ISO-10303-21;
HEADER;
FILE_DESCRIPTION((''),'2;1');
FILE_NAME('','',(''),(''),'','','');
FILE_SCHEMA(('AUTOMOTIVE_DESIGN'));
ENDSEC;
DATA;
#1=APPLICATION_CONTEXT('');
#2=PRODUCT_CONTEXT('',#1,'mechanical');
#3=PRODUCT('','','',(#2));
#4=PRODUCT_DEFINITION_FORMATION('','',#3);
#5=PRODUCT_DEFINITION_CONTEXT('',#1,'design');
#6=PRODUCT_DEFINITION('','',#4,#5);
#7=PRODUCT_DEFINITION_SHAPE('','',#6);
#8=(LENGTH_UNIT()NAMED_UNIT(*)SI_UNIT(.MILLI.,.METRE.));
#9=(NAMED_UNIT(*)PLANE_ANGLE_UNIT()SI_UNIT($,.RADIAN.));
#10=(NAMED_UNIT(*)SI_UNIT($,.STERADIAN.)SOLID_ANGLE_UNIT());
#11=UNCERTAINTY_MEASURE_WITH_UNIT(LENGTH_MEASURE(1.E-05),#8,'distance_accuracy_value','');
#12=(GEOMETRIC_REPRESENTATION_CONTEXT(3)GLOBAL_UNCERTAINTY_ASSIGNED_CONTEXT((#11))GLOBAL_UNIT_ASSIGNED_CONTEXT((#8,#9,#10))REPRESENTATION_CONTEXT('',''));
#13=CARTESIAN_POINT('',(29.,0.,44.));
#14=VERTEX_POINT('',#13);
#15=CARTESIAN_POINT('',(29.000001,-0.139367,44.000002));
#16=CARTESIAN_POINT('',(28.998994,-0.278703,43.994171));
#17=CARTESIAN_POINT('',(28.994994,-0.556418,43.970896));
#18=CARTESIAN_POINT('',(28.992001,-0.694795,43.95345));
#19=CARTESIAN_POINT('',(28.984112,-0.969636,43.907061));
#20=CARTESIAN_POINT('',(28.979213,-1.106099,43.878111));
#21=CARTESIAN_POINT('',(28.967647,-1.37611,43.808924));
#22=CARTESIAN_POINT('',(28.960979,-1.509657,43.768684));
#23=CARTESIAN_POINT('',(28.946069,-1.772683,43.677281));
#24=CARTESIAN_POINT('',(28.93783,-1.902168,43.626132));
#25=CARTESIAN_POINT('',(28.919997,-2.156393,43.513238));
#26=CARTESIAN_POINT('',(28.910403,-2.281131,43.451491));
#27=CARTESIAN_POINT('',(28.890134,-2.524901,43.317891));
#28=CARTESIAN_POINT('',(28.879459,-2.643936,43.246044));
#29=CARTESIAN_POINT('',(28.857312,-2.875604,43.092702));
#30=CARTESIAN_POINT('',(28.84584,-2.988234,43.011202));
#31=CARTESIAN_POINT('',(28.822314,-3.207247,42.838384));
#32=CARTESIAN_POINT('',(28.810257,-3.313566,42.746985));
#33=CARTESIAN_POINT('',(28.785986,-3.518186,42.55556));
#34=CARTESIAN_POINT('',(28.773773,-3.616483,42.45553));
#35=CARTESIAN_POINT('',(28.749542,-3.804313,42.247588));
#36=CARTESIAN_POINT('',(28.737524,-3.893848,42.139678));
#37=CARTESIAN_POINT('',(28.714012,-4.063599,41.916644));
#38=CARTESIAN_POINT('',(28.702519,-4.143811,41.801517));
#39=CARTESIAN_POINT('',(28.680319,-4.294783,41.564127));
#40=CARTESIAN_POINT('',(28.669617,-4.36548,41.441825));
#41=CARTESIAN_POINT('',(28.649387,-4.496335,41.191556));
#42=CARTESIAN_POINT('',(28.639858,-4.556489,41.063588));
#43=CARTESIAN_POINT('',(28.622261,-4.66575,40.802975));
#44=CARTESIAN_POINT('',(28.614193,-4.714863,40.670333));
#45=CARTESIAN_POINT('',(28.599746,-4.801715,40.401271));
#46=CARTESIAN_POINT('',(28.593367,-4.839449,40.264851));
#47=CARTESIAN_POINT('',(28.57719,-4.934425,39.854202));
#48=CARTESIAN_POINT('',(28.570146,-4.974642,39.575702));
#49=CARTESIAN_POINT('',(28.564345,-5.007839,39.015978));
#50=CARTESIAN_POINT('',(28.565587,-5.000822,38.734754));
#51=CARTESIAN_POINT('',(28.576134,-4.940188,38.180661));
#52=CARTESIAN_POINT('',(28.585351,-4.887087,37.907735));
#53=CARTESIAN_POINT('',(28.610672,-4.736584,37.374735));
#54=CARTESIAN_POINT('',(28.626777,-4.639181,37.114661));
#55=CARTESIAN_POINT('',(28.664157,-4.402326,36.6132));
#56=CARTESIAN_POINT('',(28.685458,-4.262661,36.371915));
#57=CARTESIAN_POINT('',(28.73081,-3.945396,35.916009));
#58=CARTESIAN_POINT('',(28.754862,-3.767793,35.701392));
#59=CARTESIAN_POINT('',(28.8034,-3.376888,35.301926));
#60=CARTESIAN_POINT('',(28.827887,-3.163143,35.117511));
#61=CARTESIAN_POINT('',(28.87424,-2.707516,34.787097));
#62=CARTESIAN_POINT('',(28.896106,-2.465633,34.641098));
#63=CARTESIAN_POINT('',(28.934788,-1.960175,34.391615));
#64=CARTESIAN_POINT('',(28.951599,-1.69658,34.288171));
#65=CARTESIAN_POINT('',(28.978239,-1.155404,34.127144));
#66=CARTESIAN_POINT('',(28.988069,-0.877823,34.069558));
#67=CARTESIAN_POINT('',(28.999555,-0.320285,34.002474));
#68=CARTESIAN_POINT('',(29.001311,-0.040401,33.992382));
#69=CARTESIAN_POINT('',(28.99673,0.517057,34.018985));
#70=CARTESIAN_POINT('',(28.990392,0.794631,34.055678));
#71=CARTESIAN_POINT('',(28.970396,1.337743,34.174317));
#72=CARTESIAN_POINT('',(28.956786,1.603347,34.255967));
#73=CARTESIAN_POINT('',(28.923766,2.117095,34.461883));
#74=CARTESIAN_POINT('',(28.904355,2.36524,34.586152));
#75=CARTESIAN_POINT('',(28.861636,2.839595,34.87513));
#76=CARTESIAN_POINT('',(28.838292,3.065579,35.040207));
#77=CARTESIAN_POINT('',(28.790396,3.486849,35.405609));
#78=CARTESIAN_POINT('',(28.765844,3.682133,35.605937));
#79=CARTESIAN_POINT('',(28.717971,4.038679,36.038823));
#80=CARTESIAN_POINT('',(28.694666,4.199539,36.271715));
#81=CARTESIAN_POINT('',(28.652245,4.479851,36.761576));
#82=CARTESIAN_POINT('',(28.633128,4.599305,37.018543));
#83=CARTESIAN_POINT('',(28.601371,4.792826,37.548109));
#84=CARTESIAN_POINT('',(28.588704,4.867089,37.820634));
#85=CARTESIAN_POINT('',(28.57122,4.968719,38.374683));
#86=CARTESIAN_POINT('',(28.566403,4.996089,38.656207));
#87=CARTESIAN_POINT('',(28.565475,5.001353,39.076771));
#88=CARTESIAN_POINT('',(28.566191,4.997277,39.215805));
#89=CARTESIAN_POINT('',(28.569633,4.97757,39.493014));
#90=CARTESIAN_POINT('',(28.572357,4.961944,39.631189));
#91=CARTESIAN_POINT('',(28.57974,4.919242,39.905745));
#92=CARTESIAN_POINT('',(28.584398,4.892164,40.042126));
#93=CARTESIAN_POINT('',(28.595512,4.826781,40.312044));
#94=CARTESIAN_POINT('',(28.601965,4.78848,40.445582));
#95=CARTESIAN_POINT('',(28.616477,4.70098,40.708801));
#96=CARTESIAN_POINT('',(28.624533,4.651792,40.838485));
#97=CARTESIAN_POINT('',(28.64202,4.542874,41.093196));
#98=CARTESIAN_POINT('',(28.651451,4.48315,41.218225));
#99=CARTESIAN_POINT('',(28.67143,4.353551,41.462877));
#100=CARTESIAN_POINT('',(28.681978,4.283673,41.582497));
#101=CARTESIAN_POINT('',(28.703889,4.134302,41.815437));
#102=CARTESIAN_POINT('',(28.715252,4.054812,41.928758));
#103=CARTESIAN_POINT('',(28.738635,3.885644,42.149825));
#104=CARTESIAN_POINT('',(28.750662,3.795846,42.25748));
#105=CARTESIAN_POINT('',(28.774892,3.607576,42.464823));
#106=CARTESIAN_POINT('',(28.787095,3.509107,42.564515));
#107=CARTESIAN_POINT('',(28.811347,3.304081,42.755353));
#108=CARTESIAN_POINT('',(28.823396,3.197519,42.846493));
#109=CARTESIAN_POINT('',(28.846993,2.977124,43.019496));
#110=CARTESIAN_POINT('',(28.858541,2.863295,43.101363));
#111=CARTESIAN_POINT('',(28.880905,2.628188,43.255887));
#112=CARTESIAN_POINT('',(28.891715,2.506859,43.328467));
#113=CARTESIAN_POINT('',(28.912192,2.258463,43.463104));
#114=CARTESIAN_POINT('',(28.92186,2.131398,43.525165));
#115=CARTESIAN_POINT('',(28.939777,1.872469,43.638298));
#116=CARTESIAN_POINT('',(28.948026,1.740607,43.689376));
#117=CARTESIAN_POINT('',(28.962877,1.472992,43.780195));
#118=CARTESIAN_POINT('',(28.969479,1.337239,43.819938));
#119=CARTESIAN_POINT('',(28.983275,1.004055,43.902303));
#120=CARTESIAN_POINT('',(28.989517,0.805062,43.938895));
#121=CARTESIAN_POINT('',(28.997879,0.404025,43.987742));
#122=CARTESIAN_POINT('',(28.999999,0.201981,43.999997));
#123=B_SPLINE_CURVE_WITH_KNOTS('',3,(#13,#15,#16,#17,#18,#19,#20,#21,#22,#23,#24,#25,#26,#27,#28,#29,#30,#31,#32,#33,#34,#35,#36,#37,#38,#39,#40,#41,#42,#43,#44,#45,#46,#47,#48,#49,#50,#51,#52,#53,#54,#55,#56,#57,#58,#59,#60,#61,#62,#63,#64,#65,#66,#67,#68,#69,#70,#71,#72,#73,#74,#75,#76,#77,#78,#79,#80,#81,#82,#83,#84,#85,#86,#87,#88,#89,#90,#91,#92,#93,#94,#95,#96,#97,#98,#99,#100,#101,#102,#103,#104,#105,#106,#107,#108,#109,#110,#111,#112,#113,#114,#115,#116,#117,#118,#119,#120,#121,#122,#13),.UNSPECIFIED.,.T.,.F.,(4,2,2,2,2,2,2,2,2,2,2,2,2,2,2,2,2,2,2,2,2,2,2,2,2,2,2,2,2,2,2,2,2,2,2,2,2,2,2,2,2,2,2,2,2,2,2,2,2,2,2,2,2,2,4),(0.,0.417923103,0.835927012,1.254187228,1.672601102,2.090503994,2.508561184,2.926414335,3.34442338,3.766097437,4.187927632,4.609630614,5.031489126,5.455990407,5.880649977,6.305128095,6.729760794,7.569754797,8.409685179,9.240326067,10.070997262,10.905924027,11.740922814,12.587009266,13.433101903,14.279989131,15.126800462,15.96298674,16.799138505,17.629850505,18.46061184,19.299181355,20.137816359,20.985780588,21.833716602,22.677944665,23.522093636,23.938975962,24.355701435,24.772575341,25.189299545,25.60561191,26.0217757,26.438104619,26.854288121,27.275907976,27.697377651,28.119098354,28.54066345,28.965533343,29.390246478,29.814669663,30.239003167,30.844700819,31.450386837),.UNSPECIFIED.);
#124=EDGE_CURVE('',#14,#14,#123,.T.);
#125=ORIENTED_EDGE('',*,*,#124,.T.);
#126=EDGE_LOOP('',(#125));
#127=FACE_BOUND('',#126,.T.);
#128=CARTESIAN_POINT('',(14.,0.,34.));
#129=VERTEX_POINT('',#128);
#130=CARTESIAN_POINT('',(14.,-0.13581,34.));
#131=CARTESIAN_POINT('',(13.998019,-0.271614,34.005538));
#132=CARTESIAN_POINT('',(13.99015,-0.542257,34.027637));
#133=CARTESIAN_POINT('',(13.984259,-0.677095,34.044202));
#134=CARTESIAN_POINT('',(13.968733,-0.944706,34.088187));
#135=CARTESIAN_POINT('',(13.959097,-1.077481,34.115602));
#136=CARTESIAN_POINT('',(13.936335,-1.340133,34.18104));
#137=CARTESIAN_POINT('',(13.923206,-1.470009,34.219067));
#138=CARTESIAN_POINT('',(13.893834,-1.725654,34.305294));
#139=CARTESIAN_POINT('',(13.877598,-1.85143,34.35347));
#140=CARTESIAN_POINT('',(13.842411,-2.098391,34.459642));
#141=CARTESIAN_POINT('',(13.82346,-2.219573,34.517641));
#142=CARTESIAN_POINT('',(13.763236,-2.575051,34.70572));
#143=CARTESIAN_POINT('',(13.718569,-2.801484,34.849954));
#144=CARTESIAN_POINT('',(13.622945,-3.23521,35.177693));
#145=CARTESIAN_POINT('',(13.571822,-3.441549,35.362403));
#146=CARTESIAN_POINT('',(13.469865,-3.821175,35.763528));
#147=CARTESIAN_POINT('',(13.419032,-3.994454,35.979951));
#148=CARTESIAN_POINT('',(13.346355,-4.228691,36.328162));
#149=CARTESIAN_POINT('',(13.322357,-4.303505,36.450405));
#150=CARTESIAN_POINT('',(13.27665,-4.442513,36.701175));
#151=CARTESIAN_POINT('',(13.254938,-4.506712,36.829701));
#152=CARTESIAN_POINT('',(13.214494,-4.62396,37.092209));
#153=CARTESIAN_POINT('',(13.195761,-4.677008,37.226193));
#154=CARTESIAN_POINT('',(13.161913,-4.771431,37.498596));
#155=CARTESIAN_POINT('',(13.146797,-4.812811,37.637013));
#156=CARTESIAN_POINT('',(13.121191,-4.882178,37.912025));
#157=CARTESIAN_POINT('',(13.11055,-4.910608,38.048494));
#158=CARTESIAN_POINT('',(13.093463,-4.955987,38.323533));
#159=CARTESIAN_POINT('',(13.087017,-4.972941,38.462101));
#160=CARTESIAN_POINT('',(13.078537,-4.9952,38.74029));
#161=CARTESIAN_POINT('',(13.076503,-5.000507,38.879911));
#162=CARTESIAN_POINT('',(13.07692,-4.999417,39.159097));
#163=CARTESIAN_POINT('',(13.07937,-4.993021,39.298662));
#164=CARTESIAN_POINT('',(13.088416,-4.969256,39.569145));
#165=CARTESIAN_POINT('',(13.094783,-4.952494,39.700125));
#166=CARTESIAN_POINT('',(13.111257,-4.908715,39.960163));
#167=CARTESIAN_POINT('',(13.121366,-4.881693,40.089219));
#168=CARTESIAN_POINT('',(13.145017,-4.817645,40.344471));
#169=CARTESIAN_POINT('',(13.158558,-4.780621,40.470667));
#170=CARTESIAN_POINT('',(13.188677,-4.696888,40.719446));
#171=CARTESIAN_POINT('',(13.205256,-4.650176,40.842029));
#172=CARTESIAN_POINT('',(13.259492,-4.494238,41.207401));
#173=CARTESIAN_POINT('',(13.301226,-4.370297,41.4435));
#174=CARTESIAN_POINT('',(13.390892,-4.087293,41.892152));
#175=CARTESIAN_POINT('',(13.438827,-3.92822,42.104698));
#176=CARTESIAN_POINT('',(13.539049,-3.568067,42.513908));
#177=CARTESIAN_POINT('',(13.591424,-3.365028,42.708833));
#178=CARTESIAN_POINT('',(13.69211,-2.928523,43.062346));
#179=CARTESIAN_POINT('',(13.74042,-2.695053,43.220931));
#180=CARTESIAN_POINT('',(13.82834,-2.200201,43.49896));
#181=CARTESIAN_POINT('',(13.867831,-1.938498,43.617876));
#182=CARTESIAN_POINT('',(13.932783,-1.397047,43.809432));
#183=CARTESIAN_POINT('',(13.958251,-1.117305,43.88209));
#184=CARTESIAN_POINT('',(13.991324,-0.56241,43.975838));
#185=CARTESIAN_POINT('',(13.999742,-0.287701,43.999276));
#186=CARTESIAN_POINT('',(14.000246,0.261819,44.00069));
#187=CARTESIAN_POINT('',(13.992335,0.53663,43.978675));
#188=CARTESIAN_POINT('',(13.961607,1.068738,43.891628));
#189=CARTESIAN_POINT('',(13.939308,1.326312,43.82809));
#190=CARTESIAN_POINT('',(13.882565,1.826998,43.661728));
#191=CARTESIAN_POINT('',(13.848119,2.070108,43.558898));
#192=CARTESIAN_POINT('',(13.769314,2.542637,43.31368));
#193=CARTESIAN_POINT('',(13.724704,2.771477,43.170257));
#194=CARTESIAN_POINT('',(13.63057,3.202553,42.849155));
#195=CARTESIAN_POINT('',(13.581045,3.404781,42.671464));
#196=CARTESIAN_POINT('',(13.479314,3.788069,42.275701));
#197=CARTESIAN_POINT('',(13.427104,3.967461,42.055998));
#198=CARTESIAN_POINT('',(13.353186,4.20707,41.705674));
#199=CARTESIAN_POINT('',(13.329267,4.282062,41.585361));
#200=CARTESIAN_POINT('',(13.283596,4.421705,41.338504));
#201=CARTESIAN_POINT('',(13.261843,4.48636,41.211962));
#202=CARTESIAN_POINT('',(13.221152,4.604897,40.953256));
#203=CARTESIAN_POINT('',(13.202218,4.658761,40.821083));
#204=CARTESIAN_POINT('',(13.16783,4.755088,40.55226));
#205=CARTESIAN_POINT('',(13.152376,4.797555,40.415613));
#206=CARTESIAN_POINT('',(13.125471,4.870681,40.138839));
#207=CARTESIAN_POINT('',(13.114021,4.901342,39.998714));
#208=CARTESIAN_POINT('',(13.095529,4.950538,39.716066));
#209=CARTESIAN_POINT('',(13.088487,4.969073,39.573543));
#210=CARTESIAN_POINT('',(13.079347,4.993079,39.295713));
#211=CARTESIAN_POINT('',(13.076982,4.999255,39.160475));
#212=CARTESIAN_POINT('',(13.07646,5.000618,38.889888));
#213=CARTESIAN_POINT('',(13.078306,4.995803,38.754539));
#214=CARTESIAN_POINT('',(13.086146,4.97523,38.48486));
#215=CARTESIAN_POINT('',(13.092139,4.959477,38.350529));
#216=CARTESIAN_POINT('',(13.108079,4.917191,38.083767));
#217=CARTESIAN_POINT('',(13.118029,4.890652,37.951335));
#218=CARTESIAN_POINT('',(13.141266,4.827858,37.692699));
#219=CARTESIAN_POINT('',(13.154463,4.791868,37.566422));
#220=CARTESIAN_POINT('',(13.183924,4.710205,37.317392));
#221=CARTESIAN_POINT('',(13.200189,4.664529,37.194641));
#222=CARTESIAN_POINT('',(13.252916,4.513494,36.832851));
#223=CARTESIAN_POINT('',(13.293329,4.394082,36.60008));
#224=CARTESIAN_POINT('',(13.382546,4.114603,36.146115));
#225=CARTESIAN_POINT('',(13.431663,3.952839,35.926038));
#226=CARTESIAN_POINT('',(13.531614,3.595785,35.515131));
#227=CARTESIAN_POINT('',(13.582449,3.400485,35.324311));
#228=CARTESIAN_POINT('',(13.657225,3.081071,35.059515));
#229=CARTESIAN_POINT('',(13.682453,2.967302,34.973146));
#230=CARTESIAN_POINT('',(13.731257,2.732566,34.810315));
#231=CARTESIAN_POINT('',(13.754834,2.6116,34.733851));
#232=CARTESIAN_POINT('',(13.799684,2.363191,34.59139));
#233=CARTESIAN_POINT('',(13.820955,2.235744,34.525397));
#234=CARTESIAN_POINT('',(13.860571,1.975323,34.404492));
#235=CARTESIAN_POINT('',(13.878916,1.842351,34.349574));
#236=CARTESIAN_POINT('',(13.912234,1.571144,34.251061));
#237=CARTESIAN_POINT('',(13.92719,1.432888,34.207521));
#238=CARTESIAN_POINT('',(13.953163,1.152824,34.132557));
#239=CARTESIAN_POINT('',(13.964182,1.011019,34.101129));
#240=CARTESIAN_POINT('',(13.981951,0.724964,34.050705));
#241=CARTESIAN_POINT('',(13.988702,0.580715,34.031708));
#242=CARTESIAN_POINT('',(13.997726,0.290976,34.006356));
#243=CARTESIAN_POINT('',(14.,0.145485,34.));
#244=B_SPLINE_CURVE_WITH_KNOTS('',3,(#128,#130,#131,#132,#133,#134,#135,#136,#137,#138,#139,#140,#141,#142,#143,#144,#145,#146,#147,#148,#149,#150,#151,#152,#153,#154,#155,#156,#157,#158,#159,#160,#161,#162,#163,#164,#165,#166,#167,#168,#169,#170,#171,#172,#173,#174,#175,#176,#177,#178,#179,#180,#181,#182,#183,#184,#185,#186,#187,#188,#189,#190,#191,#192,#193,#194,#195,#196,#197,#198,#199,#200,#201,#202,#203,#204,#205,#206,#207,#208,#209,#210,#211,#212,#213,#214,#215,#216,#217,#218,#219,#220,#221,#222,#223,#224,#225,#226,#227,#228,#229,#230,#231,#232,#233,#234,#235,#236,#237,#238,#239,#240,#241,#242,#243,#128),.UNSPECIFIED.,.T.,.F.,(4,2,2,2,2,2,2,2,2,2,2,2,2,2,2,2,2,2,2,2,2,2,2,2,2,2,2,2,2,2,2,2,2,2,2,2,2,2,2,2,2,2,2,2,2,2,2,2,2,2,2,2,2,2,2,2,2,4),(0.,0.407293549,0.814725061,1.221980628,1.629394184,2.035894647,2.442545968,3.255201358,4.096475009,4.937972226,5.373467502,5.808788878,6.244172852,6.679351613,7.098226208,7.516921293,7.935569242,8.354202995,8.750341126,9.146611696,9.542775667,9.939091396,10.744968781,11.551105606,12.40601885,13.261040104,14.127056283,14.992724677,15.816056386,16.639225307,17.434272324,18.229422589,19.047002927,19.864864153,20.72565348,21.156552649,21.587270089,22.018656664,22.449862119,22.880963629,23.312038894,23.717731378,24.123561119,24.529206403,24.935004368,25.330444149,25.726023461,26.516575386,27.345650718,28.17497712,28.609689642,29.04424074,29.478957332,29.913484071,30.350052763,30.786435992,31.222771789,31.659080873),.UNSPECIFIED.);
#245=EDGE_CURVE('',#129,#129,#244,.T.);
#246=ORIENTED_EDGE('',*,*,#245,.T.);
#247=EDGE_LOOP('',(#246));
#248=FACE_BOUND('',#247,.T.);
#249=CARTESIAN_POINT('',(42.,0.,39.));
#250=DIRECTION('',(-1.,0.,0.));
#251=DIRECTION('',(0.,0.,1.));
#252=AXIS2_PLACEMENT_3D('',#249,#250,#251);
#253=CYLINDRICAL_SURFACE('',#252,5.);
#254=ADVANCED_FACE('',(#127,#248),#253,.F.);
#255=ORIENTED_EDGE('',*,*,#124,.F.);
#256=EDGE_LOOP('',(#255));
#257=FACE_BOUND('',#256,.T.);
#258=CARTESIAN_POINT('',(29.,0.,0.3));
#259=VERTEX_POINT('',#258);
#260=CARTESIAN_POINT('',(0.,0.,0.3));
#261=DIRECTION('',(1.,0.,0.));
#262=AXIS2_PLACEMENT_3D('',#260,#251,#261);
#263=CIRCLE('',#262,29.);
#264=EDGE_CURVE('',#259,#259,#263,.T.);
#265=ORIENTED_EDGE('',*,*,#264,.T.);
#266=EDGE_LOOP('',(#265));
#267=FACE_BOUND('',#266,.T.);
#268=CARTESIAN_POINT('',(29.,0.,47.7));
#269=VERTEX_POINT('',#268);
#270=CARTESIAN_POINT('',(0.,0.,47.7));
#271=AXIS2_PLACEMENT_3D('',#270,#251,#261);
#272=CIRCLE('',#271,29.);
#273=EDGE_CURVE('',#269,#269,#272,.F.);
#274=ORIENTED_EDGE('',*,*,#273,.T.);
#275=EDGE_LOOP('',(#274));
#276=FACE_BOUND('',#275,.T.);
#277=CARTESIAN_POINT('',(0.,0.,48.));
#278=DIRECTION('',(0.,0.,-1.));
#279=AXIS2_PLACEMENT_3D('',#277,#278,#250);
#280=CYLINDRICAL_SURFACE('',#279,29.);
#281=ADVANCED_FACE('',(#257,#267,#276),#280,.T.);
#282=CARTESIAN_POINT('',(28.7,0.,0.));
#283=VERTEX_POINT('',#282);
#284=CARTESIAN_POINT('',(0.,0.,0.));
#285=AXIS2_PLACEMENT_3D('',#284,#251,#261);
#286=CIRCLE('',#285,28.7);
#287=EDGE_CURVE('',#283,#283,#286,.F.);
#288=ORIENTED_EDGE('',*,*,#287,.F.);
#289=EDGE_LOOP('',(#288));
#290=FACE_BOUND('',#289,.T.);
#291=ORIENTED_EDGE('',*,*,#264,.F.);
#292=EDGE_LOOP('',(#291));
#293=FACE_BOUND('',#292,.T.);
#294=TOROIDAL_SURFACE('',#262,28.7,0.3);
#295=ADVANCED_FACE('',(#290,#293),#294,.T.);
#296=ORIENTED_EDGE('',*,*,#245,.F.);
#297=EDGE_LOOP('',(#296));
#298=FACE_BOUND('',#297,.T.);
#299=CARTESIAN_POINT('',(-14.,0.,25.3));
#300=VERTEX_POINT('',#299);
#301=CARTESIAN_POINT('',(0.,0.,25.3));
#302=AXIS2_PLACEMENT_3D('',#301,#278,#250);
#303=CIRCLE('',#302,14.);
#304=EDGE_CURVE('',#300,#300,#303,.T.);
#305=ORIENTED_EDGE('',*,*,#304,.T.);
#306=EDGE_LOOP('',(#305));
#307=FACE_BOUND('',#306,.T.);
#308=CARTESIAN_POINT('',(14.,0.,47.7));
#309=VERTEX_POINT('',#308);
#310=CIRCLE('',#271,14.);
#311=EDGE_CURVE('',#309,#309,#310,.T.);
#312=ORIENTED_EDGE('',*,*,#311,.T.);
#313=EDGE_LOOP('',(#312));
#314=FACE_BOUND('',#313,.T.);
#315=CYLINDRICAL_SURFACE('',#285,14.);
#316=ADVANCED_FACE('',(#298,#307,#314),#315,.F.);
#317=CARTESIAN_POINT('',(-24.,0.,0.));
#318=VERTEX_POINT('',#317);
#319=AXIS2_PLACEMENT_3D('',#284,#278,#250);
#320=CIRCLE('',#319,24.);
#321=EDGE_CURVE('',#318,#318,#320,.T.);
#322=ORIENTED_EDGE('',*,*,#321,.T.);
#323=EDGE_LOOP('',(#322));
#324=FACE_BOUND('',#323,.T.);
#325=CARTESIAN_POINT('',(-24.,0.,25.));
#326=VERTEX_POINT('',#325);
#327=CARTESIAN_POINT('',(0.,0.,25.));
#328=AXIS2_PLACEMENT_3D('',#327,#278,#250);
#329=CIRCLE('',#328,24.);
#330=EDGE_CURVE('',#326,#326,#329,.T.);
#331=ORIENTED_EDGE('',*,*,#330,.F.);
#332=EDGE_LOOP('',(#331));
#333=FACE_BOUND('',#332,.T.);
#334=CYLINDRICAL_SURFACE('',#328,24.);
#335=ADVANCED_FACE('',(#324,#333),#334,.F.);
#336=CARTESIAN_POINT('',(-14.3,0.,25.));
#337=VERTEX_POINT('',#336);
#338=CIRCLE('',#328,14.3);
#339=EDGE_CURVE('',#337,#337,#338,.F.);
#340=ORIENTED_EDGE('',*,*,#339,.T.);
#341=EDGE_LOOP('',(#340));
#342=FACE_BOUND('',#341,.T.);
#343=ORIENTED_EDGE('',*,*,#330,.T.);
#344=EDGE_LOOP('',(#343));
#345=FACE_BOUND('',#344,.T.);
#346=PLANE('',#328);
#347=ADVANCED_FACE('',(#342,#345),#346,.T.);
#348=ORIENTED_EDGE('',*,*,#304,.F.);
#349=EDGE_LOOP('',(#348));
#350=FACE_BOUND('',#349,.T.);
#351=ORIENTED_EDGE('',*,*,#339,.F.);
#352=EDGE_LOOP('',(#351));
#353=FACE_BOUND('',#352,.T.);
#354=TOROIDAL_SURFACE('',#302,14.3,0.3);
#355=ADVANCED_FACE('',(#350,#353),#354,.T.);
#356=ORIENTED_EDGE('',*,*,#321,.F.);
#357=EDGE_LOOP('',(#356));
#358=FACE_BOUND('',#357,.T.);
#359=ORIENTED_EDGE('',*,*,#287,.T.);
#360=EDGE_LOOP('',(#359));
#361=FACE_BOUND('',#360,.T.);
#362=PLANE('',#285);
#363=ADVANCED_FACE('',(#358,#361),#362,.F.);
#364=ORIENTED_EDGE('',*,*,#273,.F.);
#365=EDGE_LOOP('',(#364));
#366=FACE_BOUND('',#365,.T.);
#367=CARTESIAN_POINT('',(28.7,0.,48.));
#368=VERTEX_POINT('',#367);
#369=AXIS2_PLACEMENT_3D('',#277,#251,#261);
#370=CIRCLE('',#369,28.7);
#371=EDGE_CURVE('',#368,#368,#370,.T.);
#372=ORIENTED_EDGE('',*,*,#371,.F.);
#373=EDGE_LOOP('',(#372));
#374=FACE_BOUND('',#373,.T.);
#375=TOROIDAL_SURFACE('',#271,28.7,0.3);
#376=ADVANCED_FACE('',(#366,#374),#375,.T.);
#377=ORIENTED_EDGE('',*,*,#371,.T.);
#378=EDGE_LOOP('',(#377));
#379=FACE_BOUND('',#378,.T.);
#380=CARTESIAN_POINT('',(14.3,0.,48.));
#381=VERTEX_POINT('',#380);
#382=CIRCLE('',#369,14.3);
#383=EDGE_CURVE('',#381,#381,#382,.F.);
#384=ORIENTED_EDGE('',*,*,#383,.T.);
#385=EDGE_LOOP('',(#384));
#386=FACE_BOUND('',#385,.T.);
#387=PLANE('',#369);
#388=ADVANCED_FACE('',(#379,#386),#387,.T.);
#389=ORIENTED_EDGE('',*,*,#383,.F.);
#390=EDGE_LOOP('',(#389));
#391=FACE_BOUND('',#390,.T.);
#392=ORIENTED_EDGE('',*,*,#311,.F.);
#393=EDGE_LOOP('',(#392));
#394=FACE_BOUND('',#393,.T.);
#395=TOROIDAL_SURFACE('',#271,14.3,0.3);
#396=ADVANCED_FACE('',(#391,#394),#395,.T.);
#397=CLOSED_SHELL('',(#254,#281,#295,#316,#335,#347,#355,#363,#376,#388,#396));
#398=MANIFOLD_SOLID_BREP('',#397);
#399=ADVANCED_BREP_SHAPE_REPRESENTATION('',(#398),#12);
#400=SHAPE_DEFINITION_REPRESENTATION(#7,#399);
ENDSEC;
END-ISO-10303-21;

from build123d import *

# Parameters (mm, degrees)
SKETCH4_R               = 29
BOSS_EXTRUDE1_DEPTH     = 48
SKETCH5_R               = 24
CUT_EXTRUDE1_DEPTH      = 25
SKETCH6_R               = 14
CUT_EXTRUDE2_DEPTH      = 1
CUT_EXTRUDE2_DEPTH_BACK = 49
SKETCH7_R               = 5
CUT_EXTRUDE3_DEPTH      = 42
FILLET1_R               = 0.3


with BuildPart() as part:
    # Sketch4 → Boss-Extrude1 (new body)
    with BuildSketch(Plane.XY):
        Circle(SKETCH4_R)
    extrude(amount=BOSS_EXTRUDE1_DEPTH)

    # Sketch5 → Cut-Extrude1 (cut)
    with BuildSketch(Plane(origin=(0, 0, 0), x_dir=(-1, 0, 0), z_dir=(0, 0, -1))):
        Circle(SKETCH5_R)
    extrude(amount=-CUT_EXTRUDE1_DEPTH, mode=Mode.SUBTRACT)

    # Sketch6 → Cut-Extrude2 (cut, two sides)
    with BuildSketch(Plane.XY.offset(48)) as cut_extrude2_sk:
        Circle(SKETCH6_R)
    extrude(amount=CUT_EXTRUDE2_DEPTH, mode=Mode.SUBTRACT)
    extrude(cut_extrude2_sk.sketch, amount=-CUT_EXTRUDE2_DEPTH_BACK, mode=Mode.SUBTRACT)

    # Sketch7 → Cut-Extrude3 (cut)
    with BuildSketch(Plane(origin=(0, 0, 0), x_dir=(0, 0, -1), z_dir=(1, 0, 0))):
        with Locations((-39, 0)):
            Circle(SKETCH7_R)
    extrude(amount=CUT_EXTRUDE3_DEPTH, mode=Mode.SUBTRACT)

    # Fillet1
    fillet1_edges = [part.edges().sort_by_distance(p)[0] for p in [
        (-14, 0, 48),
        (-14, 0, 25),
        (-29, 0, 0),
        (-29, 0, 48),
    ]]
    fillet(fillet1_edges, radius=FILLET1_R)


solid = part.part
